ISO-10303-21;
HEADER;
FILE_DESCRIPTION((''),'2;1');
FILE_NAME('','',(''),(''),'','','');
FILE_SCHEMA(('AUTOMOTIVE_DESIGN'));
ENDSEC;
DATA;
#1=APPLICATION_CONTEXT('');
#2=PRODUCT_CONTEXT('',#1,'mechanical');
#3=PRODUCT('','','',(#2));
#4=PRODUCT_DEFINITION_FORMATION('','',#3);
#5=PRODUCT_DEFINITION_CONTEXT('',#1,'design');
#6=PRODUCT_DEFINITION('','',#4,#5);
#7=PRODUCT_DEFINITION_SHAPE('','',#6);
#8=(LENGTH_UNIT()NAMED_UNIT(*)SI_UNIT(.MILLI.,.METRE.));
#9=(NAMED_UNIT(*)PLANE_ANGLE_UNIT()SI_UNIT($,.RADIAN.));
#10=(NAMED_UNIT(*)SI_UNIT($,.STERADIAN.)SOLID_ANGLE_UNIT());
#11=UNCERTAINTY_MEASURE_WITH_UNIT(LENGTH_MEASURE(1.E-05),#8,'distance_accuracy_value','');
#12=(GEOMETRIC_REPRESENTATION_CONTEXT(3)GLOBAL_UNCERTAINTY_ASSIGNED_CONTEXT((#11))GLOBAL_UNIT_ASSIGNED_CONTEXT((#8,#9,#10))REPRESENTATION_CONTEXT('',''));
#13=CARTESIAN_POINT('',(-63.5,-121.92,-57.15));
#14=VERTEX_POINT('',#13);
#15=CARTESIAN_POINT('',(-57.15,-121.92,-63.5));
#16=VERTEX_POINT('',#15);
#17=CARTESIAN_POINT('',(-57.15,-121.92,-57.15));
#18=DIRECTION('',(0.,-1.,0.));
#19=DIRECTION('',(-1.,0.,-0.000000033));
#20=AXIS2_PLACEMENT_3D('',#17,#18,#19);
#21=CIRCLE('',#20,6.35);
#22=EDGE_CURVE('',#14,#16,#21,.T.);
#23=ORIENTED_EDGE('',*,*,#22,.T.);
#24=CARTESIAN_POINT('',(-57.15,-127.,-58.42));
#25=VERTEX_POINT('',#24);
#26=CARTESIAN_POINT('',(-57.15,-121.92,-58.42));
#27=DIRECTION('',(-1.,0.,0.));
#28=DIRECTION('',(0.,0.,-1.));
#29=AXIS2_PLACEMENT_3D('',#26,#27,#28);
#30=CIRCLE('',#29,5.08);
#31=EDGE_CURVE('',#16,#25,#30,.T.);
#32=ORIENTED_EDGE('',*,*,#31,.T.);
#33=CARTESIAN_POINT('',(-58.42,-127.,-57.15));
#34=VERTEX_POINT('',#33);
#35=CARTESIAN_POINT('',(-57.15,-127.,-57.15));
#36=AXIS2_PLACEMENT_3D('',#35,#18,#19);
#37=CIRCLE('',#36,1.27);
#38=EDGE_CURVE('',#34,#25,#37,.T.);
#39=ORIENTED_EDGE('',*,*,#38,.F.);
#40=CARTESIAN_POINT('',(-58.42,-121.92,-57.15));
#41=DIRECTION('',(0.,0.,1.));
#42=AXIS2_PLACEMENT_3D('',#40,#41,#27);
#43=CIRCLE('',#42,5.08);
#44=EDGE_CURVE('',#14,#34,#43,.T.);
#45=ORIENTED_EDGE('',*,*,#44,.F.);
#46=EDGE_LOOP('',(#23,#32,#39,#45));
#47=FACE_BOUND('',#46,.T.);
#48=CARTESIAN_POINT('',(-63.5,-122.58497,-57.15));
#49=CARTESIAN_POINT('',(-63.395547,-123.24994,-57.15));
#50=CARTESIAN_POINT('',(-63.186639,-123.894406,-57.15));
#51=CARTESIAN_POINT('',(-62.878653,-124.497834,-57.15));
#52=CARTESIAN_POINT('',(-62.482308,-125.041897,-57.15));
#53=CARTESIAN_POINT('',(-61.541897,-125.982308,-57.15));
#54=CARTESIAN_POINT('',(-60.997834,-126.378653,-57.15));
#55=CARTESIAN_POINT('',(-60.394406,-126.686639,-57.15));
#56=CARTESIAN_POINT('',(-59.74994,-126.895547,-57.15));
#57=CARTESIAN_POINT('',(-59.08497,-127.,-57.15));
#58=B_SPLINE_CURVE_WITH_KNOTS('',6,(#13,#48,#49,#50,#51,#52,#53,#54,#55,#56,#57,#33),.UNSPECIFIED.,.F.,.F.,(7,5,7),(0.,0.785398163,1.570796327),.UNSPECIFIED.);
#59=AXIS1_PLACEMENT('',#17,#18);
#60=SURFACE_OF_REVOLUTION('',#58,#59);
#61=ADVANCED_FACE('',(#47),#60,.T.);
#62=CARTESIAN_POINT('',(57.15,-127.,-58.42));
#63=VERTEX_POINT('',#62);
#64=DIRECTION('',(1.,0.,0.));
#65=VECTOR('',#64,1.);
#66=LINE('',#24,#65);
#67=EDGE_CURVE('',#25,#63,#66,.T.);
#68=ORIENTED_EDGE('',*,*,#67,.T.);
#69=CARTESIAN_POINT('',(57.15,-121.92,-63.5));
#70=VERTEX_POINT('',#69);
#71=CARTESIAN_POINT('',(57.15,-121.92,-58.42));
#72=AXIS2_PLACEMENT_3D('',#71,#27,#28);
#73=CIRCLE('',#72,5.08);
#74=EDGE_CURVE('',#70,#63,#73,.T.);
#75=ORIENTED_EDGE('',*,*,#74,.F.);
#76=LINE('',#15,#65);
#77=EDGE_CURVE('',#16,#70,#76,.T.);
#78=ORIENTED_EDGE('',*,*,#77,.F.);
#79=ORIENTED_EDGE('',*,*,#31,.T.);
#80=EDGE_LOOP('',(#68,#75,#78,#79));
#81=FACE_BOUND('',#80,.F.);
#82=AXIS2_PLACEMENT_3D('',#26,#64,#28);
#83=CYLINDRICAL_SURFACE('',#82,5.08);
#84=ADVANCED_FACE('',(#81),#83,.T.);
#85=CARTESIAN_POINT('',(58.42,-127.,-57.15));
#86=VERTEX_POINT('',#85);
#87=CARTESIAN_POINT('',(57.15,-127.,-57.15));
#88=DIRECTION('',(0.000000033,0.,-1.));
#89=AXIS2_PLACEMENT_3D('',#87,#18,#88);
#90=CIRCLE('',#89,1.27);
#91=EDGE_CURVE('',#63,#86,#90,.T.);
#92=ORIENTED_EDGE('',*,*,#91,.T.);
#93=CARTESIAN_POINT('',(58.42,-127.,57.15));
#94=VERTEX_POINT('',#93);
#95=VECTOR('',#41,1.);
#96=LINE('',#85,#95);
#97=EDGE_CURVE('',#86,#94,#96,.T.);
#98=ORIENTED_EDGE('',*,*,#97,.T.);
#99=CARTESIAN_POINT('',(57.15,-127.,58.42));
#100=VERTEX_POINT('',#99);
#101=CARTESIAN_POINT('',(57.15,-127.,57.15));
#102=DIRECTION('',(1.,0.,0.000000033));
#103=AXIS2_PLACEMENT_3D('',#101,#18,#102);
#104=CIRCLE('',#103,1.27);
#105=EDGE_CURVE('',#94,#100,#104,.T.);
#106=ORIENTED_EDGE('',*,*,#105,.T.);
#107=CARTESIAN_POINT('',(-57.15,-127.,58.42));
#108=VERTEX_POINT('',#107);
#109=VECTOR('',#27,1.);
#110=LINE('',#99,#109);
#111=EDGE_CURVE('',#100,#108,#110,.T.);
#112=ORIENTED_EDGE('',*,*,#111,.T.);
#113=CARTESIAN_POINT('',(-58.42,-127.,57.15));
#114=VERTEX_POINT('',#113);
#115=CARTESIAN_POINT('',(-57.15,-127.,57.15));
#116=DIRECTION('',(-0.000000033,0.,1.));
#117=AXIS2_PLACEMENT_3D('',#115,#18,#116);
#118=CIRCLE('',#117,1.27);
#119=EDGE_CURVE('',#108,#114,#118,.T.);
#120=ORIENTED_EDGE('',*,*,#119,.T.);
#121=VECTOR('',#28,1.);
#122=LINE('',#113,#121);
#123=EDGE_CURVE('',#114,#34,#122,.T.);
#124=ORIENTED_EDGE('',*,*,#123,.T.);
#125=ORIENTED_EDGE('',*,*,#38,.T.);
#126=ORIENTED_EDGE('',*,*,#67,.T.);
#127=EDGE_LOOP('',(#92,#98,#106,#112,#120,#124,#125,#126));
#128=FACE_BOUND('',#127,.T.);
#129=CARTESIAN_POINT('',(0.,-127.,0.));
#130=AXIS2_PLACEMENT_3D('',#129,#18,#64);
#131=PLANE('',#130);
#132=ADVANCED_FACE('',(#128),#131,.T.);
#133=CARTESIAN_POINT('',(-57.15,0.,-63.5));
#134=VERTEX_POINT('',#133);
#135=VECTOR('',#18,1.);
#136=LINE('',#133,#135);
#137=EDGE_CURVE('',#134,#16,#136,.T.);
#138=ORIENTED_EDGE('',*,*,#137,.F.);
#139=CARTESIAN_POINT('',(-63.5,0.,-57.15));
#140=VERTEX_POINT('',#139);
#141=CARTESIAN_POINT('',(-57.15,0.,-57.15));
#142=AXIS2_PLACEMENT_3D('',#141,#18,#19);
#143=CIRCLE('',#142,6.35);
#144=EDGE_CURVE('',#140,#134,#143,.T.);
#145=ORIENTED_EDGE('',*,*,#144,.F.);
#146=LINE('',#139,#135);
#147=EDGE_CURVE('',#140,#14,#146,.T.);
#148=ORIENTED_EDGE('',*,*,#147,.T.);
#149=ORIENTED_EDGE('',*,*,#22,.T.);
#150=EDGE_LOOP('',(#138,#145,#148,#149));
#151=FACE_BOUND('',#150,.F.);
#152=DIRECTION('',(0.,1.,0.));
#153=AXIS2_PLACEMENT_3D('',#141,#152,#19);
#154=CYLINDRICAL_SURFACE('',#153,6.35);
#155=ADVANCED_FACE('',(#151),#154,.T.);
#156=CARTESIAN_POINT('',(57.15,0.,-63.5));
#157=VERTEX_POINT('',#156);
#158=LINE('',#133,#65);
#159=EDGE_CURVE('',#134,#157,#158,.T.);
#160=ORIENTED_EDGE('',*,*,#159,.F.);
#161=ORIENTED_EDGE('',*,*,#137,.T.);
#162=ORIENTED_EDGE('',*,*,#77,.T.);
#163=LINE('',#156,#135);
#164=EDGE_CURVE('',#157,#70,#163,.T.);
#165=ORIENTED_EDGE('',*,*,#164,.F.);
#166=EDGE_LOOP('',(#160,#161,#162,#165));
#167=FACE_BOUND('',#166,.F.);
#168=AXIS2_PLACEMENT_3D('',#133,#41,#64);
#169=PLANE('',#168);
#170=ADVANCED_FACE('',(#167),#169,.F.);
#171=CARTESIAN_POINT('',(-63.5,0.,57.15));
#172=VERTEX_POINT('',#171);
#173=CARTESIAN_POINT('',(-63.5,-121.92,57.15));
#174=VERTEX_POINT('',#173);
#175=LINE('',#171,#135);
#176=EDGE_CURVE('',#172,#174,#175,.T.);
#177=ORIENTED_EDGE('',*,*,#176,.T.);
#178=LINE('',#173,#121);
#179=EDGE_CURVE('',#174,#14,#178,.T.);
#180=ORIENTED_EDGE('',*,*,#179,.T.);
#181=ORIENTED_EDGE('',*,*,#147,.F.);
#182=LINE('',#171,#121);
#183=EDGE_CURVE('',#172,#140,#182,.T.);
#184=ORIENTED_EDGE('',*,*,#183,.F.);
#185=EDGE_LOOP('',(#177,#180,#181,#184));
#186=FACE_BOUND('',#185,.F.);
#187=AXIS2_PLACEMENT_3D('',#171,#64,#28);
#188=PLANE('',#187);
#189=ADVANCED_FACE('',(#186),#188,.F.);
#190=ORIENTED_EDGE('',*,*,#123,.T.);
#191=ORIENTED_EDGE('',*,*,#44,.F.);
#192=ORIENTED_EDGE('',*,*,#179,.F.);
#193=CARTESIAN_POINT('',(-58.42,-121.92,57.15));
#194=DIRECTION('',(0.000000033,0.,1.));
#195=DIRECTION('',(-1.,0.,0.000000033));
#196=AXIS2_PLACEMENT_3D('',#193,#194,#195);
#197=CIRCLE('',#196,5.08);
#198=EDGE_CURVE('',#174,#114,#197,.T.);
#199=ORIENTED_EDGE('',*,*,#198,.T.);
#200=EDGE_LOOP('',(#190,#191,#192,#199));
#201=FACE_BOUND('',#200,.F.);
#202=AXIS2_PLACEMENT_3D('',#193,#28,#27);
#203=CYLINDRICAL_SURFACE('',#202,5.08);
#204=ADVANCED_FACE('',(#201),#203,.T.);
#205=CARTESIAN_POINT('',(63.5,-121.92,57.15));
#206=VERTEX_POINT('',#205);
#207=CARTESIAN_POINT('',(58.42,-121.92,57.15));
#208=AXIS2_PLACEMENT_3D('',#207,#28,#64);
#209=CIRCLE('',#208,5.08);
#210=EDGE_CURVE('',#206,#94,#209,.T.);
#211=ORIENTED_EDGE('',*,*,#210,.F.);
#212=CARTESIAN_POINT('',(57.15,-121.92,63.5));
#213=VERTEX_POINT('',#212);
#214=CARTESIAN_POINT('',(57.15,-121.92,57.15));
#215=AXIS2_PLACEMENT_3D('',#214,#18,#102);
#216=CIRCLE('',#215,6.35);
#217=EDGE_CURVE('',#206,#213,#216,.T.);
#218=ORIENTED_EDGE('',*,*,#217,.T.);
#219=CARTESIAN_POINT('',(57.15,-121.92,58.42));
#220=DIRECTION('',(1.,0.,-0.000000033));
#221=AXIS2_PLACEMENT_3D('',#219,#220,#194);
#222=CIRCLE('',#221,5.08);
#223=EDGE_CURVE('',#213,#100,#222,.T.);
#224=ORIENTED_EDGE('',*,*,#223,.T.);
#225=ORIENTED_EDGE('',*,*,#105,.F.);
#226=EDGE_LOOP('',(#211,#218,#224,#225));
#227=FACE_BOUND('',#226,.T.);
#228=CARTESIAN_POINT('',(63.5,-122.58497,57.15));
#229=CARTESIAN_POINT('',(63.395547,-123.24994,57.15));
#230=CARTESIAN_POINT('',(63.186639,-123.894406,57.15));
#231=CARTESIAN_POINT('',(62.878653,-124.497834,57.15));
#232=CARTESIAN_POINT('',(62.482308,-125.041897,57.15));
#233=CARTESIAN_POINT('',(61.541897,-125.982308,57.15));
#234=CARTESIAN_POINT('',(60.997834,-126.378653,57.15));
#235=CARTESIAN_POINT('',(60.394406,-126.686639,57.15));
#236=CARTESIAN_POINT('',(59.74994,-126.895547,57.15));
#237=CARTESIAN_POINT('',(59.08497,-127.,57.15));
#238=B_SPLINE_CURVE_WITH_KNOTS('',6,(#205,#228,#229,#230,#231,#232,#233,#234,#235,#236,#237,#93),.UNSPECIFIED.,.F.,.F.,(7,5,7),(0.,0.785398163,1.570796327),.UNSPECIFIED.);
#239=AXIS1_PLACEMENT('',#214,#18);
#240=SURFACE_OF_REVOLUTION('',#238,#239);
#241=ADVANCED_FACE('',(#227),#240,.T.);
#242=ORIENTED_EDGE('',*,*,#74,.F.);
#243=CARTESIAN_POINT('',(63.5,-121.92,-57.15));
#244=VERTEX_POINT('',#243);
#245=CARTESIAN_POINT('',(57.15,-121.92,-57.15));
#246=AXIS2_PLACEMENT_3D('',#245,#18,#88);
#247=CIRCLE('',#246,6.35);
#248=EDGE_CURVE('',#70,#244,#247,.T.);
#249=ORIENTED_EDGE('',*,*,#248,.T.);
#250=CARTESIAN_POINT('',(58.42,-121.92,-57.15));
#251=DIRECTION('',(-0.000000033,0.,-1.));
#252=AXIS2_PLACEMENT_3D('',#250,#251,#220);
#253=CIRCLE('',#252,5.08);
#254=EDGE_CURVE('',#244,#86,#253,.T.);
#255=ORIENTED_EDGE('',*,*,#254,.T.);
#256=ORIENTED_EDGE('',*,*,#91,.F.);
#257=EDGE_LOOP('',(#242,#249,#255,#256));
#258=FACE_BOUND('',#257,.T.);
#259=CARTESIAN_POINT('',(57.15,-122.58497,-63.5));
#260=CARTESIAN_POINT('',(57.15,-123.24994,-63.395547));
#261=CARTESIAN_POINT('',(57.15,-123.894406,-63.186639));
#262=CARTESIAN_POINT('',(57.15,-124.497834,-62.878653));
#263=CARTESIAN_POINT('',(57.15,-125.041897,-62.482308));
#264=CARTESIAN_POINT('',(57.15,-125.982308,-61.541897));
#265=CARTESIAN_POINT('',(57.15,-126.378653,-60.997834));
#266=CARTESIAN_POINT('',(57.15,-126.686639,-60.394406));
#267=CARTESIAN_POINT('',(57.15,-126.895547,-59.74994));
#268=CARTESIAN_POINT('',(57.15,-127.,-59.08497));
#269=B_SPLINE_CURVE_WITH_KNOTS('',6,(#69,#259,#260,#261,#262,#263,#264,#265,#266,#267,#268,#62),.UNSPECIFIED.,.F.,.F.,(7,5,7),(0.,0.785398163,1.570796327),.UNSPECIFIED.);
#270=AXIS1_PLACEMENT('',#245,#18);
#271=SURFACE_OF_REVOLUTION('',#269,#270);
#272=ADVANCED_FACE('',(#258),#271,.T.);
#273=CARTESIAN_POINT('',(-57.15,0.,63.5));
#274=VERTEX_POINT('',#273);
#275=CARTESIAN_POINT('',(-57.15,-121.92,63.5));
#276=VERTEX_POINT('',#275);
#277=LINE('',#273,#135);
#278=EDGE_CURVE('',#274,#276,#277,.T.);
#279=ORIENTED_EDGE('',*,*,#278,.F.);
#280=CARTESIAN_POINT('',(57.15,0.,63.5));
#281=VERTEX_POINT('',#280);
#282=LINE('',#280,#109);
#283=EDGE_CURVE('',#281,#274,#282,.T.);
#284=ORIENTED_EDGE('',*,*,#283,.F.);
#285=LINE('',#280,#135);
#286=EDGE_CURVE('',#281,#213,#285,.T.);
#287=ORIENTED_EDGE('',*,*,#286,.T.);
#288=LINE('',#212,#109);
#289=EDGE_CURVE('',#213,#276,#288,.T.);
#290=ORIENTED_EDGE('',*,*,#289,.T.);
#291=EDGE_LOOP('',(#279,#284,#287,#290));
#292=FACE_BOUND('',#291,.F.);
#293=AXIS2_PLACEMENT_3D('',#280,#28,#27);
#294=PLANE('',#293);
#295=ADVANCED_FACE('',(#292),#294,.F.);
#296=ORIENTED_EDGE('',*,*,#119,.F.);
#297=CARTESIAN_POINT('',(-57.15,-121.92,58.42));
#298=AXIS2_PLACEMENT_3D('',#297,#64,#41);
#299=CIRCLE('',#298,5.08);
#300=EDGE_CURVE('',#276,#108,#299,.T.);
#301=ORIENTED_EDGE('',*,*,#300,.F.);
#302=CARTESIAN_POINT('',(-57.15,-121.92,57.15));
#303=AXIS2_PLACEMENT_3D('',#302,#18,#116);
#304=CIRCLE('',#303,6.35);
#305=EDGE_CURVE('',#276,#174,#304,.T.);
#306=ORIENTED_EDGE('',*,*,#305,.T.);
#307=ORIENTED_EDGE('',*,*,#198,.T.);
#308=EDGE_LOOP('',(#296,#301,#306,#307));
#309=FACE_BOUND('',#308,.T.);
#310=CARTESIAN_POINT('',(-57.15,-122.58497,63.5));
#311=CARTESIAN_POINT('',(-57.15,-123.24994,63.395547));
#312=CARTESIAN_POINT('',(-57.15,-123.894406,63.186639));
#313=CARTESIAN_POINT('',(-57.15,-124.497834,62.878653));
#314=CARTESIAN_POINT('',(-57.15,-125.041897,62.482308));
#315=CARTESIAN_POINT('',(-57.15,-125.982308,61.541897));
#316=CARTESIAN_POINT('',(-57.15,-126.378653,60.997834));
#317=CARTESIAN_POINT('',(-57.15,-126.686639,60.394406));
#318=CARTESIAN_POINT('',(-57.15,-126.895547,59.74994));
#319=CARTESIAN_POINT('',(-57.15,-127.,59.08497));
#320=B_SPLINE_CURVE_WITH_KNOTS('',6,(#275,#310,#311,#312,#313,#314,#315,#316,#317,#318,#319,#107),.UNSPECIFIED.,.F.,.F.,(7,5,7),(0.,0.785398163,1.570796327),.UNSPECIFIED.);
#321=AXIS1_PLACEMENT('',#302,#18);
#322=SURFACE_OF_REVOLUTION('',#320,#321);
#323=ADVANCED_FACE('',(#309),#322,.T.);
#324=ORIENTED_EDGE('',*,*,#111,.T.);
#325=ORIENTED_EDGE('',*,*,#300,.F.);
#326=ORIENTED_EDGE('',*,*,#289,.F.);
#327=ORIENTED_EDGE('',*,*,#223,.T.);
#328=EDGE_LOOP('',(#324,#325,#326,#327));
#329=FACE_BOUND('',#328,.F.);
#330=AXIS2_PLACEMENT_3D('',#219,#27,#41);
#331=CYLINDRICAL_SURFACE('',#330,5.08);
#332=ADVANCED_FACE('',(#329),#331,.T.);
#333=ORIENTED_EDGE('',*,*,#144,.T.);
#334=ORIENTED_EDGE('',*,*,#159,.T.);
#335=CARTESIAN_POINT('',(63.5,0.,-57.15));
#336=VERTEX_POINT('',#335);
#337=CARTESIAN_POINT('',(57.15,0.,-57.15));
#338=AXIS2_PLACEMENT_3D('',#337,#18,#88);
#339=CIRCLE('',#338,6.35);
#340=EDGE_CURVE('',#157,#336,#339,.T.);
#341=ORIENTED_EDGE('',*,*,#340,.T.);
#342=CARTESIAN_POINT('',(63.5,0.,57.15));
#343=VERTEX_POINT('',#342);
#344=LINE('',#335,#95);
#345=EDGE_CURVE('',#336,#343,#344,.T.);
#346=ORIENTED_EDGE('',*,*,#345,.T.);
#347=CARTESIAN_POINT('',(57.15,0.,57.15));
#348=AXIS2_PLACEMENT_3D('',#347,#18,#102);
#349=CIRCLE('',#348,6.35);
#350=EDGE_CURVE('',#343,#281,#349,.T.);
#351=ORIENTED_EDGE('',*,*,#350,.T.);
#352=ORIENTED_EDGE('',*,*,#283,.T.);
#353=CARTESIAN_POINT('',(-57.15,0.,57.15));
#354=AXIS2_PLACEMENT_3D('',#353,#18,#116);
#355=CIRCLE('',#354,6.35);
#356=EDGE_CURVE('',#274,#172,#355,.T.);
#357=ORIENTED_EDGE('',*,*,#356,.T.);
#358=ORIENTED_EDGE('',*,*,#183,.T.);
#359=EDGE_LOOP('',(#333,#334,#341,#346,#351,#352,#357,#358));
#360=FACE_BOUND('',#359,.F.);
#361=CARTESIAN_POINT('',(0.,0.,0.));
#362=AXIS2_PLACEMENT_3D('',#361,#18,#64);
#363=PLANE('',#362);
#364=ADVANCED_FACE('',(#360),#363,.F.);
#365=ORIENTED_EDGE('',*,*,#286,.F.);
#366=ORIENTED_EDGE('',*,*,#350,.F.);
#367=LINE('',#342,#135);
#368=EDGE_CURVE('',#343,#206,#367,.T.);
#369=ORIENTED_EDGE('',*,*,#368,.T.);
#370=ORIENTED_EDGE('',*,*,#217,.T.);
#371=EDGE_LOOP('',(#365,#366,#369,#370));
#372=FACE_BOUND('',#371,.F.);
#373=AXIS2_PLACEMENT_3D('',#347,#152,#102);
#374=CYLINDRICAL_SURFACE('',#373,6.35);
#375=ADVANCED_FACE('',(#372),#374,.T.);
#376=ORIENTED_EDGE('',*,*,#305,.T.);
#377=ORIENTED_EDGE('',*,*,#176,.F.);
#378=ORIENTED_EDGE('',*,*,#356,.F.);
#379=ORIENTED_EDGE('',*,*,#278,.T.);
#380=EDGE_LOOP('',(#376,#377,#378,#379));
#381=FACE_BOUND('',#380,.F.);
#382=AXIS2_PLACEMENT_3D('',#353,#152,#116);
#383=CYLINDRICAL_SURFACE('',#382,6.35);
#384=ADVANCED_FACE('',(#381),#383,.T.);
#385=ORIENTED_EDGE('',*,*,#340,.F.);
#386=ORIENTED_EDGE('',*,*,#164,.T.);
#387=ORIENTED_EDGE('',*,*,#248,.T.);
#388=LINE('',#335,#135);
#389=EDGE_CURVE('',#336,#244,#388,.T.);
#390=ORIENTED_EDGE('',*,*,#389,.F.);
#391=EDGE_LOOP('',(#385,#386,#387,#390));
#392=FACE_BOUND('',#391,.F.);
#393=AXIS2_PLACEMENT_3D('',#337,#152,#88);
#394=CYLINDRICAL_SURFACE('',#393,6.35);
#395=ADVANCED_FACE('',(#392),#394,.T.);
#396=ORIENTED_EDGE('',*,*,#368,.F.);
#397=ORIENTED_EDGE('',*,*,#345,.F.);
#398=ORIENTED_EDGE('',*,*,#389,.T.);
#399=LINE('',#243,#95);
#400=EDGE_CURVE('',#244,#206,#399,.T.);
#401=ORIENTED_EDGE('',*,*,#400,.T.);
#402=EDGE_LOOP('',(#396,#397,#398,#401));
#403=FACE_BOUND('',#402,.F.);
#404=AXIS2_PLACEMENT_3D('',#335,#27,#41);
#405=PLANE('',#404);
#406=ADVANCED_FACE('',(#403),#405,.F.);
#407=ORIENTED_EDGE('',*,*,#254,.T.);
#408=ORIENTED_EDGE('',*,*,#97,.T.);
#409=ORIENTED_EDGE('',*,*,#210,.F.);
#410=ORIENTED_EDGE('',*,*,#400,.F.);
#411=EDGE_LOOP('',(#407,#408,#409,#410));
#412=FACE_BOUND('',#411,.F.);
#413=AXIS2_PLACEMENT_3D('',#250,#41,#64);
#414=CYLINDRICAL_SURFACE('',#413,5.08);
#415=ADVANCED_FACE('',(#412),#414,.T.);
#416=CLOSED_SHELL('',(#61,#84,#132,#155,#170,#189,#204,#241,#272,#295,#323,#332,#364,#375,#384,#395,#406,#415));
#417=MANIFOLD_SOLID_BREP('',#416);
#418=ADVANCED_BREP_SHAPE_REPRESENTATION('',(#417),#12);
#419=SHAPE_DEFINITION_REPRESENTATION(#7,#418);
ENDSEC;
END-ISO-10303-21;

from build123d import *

# Parameters (mm, degrees)
F1_DEPTH = 127
F2_R     = 5.08


with BuildPart() as f1:
    # F0 (on Front) → F1 (new body)
    with BuildSketch(Plane.XZ):
        with BuildLine():
            ThreePointArc((63.5, 57.15), (61.640128, 61.640128), (57.15, 63.5))
            Line((57.15, 63.5), (-57.15, 63.5))
            ThreePointArc((-57.15, 63.5), (-61.640128, 61.640128), (-63.5, 57.15))
            Line((-63.5, 57.15), (-63.5, -57.15))
            ThreePointArc((-63.5, -57.15), (-61.640128, -61.640128), (-57.15, -63.5))
            Line((-57.15, -63.5), (57.15, -63.5))
            ThreePointArc((57.15, -63.5), (61.640128, -61.640128), (63.5, -57.15))
            Line((63.5, -57.15), (63.5, 57.15))
        make_face()
    extrude(amount=F1_DEPTH)

    # F2
    f2_edges = [f1.edges().sort_by_distance(p)[0] for p in [
        (0, -127, -63.5),
    ]]
    fillet(f2_edges, radius=F2_R)


solid = f1.part
